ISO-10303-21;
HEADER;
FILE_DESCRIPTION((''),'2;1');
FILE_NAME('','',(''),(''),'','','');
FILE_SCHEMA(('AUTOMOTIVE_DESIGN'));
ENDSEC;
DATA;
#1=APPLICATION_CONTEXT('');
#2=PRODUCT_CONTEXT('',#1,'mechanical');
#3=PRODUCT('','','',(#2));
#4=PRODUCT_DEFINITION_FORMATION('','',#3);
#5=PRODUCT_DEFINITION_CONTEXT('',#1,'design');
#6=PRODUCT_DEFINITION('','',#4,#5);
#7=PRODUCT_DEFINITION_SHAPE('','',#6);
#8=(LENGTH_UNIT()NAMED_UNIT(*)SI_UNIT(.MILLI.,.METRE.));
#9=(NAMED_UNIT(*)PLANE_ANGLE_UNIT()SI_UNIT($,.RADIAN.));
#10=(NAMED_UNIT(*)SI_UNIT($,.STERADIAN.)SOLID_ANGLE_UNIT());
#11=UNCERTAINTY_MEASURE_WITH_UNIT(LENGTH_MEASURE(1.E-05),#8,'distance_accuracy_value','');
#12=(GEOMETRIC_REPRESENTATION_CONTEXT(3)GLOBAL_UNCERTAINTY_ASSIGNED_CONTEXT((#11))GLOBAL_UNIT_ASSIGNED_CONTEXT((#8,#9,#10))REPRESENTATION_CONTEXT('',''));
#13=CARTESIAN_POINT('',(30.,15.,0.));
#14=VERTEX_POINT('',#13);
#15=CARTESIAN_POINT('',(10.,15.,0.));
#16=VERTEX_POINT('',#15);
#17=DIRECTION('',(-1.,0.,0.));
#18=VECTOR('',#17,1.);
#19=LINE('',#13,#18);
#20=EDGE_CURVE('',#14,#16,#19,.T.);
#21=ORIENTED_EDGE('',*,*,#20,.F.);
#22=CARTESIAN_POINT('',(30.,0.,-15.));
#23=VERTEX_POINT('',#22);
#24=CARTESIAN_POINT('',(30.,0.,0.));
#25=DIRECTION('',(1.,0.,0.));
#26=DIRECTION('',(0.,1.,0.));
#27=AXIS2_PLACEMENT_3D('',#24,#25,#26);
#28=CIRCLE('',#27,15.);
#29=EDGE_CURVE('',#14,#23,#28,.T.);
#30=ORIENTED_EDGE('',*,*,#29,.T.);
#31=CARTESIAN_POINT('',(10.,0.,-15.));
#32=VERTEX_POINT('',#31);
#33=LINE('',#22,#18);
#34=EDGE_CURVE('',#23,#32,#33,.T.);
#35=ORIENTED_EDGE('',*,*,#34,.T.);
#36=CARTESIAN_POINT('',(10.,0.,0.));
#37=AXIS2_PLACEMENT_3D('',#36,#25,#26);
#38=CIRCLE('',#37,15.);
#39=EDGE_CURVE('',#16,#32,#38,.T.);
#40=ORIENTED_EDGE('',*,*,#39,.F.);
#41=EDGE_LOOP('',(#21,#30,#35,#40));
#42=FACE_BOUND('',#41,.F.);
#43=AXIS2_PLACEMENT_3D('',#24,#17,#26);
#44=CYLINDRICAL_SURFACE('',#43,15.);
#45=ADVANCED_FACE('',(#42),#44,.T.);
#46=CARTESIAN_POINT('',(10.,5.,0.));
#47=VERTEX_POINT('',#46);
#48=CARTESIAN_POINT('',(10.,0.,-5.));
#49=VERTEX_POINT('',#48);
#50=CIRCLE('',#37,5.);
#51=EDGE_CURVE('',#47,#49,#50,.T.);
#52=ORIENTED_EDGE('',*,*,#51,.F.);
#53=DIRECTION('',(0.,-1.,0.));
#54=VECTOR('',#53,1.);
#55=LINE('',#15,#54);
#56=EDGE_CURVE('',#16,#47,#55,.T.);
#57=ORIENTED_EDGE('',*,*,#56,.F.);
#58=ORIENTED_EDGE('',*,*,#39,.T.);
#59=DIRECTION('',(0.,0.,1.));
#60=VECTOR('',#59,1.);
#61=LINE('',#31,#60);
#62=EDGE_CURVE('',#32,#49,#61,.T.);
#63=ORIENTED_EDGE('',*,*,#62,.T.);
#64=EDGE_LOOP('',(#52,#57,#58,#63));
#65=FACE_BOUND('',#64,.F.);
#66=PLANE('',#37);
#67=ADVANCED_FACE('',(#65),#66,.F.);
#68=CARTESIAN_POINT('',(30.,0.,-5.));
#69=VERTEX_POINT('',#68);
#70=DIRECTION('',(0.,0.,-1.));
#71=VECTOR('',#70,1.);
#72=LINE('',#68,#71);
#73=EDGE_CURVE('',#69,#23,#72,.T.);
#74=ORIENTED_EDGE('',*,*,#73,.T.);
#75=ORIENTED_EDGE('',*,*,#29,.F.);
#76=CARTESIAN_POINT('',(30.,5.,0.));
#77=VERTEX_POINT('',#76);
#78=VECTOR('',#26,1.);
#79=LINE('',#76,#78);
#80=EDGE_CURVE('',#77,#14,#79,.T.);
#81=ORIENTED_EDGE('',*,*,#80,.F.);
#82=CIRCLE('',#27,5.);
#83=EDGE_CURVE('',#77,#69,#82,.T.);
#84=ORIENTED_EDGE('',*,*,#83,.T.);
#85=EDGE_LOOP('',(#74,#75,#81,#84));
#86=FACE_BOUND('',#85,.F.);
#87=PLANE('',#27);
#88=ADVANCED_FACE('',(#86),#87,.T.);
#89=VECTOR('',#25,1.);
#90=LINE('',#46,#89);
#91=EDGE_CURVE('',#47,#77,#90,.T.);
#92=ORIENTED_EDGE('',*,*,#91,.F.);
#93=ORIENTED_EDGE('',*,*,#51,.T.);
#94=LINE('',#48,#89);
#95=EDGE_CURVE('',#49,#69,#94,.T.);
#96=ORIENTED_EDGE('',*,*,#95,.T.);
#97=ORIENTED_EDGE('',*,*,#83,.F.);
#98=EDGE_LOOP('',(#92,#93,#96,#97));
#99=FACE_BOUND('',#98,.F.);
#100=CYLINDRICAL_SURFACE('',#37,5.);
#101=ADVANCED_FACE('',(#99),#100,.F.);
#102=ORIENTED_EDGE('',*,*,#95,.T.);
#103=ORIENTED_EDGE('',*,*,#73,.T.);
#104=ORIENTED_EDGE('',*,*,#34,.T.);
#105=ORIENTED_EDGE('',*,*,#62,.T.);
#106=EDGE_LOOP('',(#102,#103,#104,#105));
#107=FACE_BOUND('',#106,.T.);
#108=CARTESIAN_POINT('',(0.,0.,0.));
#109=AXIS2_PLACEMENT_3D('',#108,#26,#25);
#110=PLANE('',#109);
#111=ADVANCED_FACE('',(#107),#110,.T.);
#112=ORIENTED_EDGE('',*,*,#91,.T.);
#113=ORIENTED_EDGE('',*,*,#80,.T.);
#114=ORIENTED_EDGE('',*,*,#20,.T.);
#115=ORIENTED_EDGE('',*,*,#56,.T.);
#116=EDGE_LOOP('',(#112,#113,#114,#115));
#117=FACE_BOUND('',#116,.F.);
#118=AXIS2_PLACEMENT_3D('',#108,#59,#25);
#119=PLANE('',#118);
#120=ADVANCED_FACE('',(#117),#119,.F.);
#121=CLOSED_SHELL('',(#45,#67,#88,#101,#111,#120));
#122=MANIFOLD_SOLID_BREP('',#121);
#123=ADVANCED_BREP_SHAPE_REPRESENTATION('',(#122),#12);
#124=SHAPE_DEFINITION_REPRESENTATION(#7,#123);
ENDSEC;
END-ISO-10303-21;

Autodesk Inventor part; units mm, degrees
ref_plane "YZ Plane" through (0, 0, 0) normal (1, 0, 0) x (0, 1, 0)
ref_plane "XZ Plane" through (0, 0, 0) normal (0, 1, 0) x (-1, 0, 0)
ref_plane "XY Plane" through (0, 0, 0) normal (0, 0, 1) x (1, 0, 0)
sketch "Sketch1" plane through (0, 0, 0) normal (0, 0, 1) x (1, 0, 0)
  line L0 (10, 5) -> (30, 5)
  line L1 (30, 5) -> (30, 15)
  line L2 (30, 15) -> (10, 15)
  line L3 (10, 15) -> (10, 5)
  line L4 (6, 0) -> (34, 0) projected
revolve "Revolution1" add sketch "Sketch1" angle 270 about axis through (-10, 0, 0) along (1, 0, 0)
properties part number "24_revolve_270"
